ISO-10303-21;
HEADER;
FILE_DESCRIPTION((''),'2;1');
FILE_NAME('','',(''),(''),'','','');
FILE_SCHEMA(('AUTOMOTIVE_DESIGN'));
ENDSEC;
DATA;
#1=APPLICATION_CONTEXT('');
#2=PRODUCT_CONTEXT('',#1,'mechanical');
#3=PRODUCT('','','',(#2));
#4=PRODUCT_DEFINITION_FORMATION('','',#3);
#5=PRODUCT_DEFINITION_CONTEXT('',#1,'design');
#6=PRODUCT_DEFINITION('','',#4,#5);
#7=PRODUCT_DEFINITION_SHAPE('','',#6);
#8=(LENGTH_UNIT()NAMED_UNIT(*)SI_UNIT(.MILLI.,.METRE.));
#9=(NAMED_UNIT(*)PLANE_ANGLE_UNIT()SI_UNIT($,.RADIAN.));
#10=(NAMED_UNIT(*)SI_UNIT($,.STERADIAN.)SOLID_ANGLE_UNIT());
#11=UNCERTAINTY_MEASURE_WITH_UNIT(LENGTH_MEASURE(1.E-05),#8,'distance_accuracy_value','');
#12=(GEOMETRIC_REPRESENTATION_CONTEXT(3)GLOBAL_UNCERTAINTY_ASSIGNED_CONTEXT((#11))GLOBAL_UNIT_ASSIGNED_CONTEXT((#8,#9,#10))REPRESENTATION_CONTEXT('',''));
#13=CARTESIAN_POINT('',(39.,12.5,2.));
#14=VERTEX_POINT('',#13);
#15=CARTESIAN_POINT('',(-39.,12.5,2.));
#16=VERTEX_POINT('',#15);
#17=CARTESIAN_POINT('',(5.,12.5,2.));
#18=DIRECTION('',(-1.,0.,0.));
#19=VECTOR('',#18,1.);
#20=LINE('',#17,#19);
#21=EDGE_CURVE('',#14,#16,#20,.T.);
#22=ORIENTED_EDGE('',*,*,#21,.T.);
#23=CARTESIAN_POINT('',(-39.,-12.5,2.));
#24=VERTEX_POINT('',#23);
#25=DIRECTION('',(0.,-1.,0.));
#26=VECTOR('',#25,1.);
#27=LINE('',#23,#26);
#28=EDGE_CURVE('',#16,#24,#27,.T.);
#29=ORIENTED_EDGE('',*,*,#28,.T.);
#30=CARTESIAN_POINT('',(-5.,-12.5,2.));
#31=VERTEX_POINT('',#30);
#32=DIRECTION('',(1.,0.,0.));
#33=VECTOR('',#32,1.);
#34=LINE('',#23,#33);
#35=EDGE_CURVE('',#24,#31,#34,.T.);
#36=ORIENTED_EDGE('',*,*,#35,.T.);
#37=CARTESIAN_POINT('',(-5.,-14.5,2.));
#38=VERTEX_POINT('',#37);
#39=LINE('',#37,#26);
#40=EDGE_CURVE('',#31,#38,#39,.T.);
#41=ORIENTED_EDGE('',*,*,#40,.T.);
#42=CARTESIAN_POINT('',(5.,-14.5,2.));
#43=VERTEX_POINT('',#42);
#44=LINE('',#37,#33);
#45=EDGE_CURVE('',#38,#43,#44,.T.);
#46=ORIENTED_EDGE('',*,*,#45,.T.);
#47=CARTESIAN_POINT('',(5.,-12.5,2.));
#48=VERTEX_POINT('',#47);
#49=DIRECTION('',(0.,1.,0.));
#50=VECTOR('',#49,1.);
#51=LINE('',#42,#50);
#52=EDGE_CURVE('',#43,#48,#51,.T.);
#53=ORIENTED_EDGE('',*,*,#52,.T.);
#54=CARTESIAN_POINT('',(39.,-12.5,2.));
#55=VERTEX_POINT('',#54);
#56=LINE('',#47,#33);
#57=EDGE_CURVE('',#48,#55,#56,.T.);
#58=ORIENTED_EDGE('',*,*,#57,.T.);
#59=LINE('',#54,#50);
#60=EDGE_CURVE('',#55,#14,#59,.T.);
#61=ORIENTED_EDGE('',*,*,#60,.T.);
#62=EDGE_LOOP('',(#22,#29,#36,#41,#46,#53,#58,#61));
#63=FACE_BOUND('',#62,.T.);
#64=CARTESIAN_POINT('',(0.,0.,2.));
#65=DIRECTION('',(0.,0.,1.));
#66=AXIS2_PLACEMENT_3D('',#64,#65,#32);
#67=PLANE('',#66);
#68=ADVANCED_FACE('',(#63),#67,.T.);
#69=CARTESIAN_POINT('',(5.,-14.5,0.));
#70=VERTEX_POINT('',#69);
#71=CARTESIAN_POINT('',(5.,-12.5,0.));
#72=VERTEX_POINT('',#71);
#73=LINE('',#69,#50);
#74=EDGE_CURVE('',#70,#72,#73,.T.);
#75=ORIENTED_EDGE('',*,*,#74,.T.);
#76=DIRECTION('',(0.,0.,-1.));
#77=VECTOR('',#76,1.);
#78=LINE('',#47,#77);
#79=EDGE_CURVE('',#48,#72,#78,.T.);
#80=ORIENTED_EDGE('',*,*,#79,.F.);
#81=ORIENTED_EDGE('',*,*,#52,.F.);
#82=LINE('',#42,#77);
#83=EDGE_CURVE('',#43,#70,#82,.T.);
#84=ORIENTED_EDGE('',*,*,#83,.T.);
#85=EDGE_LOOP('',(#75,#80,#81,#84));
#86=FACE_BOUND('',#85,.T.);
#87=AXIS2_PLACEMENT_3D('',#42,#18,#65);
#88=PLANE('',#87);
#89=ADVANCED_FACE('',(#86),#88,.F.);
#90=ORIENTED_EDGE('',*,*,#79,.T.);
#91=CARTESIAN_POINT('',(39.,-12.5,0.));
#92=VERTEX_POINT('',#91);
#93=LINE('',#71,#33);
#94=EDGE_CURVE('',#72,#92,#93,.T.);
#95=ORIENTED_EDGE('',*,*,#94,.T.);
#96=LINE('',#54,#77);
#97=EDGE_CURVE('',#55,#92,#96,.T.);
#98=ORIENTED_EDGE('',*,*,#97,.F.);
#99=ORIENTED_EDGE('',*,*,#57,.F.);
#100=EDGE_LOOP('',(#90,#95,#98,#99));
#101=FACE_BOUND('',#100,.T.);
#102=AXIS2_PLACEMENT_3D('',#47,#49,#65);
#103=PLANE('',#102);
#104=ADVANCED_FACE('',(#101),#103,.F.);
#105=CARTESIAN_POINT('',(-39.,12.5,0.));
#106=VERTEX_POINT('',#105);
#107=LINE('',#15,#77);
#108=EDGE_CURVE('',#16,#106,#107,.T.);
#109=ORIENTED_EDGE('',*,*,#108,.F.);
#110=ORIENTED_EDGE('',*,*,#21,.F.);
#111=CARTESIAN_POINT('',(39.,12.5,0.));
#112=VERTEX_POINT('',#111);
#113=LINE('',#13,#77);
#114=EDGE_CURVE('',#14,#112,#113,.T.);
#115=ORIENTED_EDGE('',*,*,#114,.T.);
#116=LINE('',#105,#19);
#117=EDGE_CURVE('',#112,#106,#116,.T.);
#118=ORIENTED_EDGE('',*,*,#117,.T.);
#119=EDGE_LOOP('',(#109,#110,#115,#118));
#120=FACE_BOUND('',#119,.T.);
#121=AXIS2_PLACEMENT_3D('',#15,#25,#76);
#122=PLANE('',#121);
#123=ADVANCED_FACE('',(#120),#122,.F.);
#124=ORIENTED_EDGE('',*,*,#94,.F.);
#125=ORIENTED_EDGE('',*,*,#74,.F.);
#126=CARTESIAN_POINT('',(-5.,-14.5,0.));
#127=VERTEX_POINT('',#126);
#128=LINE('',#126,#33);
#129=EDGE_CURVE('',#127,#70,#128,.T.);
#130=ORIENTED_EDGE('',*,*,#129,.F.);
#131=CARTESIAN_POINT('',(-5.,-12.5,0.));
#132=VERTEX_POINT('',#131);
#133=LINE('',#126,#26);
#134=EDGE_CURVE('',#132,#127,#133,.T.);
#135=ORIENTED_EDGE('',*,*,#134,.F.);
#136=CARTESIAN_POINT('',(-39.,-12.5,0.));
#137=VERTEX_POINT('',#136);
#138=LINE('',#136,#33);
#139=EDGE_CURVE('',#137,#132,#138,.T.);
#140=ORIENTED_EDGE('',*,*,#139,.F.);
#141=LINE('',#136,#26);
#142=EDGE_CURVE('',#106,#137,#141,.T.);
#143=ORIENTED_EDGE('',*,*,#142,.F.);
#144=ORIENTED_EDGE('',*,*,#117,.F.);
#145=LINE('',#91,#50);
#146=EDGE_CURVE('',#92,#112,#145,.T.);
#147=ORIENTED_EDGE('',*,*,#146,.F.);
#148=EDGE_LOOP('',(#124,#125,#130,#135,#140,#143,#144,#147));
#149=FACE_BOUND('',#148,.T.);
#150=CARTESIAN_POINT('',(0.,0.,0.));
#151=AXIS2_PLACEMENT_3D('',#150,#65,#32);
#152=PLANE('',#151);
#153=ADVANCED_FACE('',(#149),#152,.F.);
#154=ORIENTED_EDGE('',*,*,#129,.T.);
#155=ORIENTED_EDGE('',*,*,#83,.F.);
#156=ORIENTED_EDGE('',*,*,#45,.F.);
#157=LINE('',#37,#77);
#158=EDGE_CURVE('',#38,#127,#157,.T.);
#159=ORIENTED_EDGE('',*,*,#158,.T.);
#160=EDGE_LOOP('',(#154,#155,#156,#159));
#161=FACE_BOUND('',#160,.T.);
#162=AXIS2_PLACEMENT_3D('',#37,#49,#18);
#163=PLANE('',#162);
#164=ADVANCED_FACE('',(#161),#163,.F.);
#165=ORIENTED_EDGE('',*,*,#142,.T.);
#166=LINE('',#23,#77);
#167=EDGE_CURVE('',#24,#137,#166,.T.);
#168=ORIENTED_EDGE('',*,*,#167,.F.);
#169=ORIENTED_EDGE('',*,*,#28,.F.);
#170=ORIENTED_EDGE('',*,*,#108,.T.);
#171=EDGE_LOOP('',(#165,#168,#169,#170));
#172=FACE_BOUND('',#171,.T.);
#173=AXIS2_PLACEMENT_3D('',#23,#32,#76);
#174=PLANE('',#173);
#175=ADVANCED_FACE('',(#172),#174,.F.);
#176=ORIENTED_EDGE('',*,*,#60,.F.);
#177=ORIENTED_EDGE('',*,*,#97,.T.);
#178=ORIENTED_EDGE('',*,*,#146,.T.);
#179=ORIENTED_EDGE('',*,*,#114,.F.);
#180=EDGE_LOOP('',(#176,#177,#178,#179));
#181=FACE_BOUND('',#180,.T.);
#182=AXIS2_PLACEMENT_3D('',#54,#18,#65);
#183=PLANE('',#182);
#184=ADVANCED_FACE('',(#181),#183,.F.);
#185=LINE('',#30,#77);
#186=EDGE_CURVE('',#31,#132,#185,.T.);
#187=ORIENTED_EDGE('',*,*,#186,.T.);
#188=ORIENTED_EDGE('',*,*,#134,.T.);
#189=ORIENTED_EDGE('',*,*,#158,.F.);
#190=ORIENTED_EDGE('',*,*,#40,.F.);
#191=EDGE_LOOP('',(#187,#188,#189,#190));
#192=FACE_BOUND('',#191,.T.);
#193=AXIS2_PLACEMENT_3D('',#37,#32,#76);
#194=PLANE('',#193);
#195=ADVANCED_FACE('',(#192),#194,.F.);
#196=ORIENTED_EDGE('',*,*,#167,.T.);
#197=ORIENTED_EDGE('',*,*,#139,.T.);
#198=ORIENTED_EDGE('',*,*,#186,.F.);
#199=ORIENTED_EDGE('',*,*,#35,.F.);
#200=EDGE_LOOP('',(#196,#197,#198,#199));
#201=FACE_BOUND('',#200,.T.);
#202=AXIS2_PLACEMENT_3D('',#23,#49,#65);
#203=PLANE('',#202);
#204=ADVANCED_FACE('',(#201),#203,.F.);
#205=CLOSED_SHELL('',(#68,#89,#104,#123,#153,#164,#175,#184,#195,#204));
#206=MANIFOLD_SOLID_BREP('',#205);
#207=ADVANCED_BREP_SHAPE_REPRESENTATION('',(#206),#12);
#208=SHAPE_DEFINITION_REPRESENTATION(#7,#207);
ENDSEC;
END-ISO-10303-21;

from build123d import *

# Parameters (mm, degrees)
EXTRUDE_1_DEPTH = 2


with BuildPart() as part:
    # 草图1 → 凸台-拉伸1 (new body)
    with BuildSketch(Plane.XY):
        Polygon((-39, -12.5), (-5, -12.5), (-5, -14.5), (5, -14.5), (5, -12.5), (39, -12.5), (39, 12.5), (5, 12.5), (-5, 12.5), (-39, 12.5), align=None)
    extrude(amount=EXTRUDE_1_DEPTH)


solid = part.part
